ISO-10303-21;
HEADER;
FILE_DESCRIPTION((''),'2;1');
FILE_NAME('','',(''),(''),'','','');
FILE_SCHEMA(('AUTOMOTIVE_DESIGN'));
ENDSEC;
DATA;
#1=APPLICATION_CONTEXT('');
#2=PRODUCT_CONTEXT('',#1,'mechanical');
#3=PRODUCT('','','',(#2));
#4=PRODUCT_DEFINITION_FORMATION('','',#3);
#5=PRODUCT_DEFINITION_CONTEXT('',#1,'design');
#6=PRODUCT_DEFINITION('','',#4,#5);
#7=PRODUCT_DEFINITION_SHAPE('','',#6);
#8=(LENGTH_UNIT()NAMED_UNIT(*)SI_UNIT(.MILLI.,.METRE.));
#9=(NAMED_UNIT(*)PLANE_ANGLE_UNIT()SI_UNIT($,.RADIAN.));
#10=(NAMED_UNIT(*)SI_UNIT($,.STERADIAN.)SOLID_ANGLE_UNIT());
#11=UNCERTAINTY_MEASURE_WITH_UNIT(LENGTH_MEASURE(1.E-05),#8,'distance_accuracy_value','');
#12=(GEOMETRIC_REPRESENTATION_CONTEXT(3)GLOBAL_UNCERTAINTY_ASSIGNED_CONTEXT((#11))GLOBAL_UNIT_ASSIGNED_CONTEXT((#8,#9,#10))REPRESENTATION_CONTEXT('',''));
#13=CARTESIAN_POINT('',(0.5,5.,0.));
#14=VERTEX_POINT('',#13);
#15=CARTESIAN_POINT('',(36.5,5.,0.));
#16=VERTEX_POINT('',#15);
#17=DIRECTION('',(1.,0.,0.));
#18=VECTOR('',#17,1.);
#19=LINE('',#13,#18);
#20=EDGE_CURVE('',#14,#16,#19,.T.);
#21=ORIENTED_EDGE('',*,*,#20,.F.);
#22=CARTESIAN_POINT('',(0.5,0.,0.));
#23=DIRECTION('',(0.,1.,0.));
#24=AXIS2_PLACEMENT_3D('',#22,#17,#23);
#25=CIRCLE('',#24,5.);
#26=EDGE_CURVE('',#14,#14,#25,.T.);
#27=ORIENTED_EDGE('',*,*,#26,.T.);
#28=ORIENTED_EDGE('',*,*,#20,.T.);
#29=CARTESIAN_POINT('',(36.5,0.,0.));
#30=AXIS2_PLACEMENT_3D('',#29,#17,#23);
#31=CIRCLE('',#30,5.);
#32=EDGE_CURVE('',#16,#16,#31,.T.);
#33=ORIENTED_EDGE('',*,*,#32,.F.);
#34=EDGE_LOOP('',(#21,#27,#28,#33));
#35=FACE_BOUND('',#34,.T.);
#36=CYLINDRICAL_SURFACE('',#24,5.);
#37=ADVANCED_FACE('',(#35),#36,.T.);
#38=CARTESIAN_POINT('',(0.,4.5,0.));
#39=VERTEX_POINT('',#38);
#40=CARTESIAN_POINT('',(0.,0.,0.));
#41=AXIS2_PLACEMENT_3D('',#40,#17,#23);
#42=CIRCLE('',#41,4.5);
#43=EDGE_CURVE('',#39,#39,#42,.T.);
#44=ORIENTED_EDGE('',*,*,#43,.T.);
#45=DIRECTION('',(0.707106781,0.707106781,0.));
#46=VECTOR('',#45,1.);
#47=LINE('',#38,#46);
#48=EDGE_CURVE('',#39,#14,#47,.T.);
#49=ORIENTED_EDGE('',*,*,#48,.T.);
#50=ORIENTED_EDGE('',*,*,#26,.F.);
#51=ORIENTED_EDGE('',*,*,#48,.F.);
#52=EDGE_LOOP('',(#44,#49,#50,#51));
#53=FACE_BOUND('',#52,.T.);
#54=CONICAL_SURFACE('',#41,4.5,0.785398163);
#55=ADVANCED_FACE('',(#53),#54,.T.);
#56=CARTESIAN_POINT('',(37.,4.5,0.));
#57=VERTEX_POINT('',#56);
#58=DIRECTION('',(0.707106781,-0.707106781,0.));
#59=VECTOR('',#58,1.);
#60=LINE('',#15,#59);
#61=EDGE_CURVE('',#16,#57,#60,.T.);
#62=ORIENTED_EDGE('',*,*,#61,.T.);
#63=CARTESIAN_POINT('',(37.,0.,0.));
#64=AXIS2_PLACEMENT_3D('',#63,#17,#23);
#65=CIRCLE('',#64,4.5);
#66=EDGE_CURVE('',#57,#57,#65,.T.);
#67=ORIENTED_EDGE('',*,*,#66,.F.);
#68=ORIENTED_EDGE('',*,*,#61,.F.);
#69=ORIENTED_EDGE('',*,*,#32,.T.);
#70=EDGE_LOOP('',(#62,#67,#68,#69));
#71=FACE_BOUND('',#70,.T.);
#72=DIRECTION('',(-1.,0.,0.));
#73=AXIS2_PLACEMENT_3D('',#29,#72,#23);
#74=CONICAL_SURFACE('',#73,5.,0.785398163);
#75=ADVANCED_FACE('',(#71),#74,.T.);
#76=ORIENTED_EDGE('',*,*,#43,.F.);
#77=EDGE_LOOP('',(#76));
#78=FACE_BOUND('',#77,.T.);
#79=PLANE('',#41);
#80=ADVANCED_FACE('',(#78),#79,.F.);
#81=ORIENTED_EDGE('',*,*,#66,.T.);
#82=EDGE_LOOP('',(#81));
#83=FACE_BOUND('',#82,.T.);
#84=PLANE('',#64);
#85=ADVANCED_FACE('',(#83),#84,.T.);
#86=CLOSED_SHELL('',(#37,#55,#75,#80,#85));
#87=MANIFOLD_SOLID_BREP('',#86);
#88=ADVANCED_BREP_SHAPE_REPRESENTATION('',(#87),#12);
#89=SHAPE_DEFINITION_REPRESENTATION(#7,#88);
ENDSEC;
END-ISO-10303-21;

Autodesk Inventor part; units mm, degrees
sketch "Sketch_1" plane through (0, 0, 0) normal (0, 0, 1) x (1, 0, 0)
  line L0 (37, 0) -> (0, 0)
  line L1 (0, 0) -> (0, 4.5)
  line L2 (0, 4.5) -> (0.5, 5)
  line L3 (0.5, 5) -> (36.5, 5)
  line L4 (36.5, 5) -> (37, 4.5)
  line L5 (37, 4.5) -> (37, 0)
  line L6 (37, 0) -> (0, 0)
revolve "Revolution1" add sketch "Sketch_1" angle 360 about axis through (37, 0, 0) along (1, 0, 0)
ref_plane "COMBINATION_MODULE_XY" through (0, 0, 0) normal (1, 0, 0) x (0, 0, -1)
ref_plane "COMBINATION_MODULE_YZ" through (0, 0, 0) normal (0, 0, -1) x (0, 1, 0)
ref_plane "COMBINATION_MODULE_ZX" through (0, 0, 0) normal (0, 1, 0) x (1, 0, 0)
properties part number "NSFMR10-37(000_000)_s"
